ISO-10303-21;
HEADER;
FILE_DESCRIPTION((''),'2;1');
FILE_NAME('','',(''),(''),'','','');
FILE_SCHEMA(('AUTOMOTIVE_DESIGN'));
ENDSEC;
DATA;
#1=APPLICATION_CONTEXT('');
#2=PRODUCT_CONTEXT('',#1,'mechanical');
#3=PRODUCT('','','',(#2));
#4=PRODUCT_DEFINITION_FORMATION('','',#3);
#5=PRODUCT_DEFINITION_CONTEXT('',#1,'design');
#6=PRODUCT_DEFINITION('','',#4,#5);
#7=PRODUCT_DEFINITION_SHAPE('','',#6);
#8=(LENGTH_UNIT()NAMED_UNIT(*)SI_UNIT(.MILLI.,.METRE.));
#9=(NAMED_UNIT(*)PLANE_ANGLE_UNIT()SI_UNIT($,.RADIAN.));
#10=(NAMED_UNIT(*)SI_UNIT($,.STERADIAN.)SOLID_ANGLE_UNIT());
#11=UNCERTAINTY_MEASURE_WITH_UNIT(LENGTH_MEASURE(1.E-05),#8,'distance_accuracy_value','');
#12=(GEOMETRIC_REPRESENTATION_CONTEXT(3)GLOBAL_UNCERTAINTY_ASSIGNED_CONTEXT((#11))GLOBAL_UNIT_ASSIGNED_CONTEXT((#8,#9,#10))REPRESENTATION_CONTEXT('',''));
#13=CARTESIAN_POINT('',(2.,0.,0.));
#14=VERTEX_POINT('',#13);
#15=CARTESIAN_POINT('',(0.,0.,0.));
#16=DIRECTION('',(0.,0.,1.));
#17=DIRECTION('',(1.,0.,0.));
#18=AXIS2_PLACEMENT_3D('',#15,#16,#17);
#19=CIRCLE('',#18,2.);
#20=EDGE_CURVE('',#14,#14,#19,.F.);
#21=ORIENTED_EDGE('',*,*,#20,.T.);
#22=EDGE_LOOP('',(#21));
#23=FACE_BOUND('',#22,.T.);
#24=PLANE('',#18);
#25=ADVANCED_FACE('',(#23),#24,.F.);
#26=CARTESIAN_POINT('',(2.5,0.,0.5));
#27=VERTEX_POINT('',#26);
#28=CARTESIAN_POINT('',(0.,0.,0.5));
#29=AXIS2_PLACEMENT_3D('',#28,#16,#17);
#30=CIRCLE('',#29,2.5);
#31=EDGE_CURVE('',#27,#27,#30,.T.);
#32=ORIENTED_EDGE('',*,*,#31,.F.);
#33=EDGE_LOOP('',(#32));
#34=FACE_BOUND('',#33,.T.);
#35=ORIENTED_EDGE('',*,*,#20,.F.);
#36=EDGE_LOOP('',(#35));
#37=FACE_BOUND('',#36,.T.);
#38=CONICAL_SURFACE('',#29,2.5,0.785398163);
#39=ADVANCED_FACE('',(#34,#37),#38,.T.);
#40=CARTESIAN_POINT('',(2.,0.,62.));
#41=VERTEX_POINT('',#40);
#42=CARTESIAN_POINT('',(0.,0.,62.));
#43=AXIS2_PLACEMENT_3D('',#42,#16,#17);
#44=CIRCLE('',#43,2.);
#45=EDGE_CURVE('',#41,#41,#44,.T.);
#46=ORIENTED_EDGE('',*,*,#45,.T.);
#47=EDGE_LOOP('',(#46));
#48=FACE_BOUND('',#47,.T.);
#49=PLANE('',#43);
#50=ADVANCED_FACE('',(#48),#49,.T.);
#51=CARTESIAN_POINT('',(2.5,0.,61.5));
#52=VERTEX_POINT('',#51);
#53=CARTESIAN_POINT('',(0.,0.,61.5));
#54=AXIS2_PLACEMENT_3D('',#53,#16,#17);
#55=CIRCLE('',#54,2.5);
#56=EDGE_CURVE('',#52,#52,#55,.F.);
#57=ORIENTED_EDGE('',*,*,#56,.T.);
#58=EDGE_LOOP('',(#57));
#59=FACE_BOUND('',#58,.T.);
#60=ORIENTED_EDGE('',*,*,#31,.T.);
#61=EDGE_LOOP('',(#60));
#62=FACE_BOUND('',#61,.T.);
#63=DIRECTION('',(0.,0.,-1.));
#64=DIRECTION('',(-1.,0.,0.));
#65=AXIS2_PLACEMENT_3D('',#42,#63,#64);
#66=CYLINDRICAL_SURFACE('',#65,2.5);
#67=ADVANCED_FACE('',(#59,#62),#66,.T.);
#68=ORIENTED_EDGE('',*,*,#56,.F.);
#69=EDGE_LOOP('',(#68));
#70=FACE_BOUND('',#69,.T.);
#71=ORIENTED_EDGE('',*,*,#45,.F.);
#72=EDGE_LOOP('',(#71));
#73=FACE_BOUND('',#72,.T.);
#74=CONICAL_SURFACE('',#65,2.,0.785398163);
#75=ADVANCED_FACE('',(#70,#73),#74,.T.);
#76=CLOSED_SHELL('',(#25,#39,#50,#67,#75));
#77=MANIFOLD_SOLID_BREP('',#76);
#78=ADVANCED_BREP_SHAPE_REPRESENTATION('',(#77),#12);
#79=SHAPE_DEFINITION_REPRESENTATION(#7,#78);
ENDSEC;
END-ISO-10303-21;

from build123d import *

# Parameters (mm, degrees)
SZKIC1_R                    = 2.5
DODANIE_WYCI_GNI_CIE1_DEPTH = 62
SFAZOWANIE1_SIZE            = 0.5


with BuildPart() as part:
    # Szkic1 → Dodanie-wyciągnięcie1 (new body)
    with BuildSketch(Plane.XY):
        Circle(SZKIC1_R)
    extrude(amount=DODANIE_WYCI_GNI_CIE1_DEPTH)

    # Sfazowanie1
    sfazowanie1_edges = [part.edges().sort_by_distance(p)[0] for p in [
        (-2.5, 0, 0),
        (-2.5, 0, 62),
    ]]
    chamfer(sfazowanie1_edges, length=SFAZOWANIE1_SIZE)


solid = part.part
